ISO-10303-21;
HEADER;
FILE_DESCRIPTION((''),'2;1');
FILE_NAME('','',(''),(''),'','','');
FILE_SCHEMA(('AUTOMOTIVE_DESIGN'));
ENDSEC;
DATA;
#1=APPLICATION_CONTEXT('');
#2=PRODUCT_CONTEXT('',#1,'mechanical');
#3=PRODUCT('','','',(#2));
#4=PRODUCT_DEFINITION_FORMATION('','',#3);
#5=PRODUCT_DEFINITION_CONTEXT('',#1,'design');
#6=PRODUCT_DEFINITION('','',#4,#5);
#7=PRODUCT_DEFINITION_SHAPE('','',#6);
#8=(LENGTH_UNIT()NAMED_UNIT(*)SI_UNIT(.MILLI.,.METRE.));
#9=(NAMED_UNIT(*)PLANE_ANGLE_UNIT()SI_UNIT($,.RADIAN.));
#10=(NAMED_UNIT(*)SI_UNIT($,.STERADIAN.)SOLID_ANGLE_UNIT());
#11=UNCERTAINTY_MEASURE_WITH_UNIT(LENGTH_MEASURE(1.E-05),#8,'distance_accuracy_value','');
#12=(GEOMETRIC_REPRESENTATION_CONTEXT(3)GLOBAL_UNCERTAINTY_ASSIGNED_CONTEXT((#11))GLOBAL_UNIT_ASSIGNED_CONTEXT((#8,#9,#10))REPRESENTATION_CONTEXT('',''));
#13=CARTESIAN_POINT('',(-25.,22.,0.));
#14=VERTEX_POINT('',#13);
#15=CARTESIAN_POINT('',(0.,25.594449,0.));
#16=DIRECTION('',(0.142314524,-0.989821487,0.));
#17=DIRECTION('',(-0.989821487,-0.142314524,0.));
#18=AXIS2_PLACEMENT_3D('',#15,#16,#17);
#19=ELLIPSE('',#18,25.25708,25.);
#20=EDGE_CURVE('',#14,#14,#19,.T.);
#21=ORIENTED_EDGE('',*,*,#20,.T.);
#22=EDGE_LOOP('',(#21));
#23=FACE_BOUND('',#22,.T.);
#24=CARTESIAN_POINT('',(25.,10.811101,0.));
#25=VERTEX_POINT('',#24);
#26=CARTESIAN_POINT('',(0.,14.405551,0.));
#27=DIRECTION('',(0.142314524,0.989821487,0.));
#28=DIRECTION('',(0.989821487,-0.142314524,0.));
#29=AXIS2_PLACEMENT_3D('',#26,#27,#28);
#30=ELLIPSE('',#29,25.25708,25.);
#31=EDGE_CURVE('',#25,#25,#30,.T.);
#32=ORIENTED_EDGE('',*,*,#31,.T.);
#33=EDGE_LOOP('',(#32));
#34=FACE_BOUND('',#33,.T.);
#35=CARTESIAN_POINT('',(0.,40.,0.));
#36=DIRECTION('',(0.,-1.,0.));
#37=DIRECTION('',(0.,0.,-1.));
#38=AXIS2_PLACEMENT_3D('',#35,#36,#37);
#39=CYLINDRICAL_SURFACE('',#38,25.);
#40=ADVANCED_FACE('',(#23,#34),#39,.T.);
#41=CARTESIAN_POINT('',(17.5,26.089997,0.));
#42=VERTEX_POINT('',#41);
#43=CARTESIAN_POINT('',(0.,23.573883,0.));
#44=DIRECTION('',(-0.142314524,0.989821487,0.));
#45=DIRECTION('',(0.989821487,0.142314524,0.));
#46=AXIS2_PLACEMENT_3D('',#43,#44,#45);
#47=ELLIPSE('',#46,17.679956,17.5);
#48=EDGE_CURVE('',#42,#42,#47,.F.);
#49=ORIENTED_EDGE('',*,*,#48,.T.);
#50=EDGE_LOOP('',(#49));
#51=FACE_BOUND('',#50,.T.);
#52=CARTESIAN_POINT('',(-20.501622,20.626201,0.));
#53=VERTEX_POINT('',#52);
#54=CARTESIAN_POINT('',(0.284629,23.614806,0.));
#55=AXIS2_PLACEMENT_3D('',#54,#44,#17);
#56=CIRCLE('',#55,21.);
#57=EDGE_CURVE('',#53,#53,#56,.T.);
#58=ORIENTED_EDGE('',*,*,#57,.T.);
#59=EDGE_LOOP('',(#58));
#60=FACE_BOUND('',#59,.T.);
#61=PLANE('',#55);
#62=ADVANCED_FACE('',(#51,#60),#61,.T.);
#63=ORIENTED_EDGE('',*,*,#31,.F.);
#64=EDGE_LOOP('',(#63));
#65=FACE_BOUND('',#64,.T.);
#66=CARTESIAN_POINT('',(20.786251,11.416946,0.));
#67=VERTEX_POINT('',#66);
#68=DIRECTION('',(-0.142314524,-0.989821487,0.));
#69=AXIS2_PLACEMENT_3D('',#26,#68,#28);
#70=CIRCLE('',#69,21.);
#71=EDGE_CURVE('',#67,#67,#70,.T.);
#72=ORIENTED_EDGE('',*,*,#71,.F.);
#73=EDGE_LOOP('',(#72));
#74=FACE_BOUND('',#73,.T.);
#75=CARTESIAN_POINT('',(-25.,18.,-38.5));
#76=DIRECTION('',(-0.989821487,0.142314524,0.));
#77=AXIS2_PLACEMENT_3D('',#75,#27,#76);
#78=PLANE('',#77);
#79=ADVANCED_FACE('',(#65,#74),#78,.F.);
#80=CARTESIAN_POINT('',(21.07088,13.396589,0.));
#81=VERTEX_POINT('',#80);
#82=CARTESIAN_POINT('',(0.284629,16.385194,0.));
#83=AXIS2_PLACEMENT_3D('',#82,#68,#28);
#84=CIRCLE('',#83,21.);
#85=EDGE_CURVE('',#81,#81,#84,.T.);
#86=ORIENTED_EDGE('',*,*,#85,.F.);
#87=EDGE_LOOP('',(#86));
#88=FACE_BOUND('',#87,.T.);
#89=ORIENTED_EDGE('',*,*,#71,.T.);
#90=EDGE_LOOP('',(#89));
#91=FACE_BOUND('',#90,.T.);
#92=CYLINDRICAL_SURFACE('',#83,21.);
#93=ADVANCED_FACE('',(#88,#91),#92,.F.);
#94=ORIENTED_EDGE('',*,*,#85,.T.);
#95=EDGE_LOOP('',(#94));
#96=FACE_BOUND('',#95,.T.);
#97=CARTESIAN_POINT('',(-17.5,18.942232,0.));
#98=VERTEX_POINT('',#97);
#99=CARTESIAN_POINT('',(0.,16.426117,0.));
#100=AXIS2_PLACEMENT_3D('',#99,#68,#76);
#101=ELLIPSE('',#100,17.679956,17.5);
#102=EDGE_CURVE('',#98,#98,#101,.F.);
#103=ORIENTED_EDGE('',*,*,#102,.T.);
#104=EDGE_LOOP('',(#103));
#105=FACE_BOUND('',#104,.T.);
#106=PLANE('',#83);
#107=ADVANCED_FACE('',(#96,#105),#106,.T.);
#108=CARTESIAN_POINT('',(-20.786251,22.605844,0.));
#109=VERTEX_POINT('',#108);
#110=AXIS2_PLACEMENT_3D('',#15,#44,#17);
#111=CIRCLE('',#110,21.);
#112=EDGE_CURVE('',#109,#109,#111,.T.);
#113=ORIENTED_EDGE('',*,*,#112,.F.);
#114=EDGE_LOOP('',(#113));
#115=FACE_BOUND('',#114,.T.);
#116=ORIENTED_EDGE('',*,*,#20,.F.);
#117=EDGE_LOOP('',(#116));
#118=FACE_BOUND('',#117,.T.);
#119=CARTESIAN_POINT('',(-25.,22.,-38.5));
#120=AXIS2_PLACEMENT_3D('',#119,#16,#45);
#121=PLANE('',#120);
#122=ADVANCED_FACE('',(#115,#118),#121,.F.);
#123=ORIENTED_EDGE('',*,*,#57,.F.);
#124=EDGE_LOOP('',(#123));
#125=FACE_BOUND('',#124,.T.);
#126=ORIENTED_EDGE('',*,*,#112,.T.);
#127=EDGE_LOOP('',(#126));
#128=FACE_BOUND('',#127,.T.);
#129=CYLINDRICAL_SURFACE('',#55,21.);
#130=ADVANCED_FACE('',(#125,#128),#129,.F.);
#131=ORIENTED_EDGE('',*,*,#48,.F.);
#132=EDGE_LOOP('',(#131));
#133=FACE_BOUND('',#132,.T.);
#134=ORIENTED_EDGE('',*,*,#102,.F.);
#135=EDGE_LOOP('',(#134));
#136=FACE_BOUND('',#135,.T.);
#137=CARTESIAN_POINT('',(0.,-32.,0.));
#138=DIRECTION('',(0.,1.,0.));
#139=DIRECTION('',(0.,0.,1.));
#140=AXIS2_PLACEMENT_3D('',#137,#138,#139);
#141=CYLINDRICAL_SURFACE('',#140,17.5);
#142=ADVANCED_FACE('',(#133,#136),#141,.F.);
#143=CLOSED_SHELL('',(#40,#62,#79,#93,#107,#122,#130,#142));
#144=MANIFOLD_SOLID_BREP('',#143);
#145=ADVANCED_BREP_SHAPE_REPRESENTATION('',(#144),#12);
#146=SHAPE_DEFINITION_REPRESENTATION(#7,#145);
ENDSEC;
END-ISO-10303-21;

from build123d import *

# Parameters (mm, degrees)
SKETCH_1_R          = 25
EXTRUDE_1_DEPTH     = 40
SKETCH_2_R          = 17.5
CUT_EXTRUDE_1_DEPTH = 72
CUT_EXTRUDE_2_DEPTH = 38.5
SKETCH_6_R          = 21
CUT_EXTRUDE_6_DEPTH = 2
SKETCH_7_R          = 21
CUT_EXTRUDE_7_DEPTH = 2


with BuildPart() as part:
    # 草图1 → 凸台-拉伸1 (new body)
    with BuildSketch(Plane(origin=(0, 0, 0), x_dir=(1, 0, 0), z_dir=(0, 1, 0))):
        with Locations(Location((0, 0, 0), (0, 0, 270))):
            Circle(SKETCH_1_R)
    extrude(amount=EXTRUDE_1_DEPTH)

    # 草图2 → 切除-拉伸1 (cut)
    with BuildSketch(Plane(origin=(0, 40, 0), x_dir=(1, 0, 0), z_dir=(0, 1, 0))):
        with Locations(Location((0, 0, 0), (0, 0, 270))):
            Circle(SKETCH_2_R)
    extrude(amount=-CUT_EXTRUDE_1_DEPTH, mode=Mode.SUBTRACT)

    # 草图3 → 切除-拉伸2 (cut, symmetric)
    with BuildSketch(Plane.XY):
        Polygon((-25, 22), (25, 29.188898505), (25, 44.224311684), (-25, 43.752919673), align=None)
        Polygon((25, -4.224311684), (-25, -3.752919673), (-25, 18), (25, 10.811101495), align=None)
    extrude(amount=CUT_EXTRUDE_2_DEPTH, both=True, mode=Mode.SUBTRACT)

    # 草图6 → 切除-拉伸6 (cut)
    with BuildSketch(Plane(origin=(-3.605387021, 25.076074025, 0), x_dir=(0.9898214870420192, 0.14231452417067597, 0), z_dir=(-0.14231452417067594, 0.9898214870420191, 0))):
        with Locations(Location((3.642461867, 0, 0), (0, 0, 180))):
            Circle(SKETCH_6_R)
    extrude(amount=-CUT_EXTRUDE_6_DEPTH, mode=Mode.SUBTRACT)

    # 草图7 → 切除-拉伸7 (cut)
    with BuildSketch(Plane(origin=(2.029251936, 14.113789023, 0), x_dir=(0.9898214870420192, -0.14231452417067597, 0), z_dir=(-0.14231452417067594, -0.9898214870420191, 0))):
        with Locations((-2.0501191, 0)):
            Circle(SKETCH_7_R)
    extrude(amount=-CUT_EXTRUDE_7_DEPTH, mode=Mode.SUBTRACT)


solid = part.part
